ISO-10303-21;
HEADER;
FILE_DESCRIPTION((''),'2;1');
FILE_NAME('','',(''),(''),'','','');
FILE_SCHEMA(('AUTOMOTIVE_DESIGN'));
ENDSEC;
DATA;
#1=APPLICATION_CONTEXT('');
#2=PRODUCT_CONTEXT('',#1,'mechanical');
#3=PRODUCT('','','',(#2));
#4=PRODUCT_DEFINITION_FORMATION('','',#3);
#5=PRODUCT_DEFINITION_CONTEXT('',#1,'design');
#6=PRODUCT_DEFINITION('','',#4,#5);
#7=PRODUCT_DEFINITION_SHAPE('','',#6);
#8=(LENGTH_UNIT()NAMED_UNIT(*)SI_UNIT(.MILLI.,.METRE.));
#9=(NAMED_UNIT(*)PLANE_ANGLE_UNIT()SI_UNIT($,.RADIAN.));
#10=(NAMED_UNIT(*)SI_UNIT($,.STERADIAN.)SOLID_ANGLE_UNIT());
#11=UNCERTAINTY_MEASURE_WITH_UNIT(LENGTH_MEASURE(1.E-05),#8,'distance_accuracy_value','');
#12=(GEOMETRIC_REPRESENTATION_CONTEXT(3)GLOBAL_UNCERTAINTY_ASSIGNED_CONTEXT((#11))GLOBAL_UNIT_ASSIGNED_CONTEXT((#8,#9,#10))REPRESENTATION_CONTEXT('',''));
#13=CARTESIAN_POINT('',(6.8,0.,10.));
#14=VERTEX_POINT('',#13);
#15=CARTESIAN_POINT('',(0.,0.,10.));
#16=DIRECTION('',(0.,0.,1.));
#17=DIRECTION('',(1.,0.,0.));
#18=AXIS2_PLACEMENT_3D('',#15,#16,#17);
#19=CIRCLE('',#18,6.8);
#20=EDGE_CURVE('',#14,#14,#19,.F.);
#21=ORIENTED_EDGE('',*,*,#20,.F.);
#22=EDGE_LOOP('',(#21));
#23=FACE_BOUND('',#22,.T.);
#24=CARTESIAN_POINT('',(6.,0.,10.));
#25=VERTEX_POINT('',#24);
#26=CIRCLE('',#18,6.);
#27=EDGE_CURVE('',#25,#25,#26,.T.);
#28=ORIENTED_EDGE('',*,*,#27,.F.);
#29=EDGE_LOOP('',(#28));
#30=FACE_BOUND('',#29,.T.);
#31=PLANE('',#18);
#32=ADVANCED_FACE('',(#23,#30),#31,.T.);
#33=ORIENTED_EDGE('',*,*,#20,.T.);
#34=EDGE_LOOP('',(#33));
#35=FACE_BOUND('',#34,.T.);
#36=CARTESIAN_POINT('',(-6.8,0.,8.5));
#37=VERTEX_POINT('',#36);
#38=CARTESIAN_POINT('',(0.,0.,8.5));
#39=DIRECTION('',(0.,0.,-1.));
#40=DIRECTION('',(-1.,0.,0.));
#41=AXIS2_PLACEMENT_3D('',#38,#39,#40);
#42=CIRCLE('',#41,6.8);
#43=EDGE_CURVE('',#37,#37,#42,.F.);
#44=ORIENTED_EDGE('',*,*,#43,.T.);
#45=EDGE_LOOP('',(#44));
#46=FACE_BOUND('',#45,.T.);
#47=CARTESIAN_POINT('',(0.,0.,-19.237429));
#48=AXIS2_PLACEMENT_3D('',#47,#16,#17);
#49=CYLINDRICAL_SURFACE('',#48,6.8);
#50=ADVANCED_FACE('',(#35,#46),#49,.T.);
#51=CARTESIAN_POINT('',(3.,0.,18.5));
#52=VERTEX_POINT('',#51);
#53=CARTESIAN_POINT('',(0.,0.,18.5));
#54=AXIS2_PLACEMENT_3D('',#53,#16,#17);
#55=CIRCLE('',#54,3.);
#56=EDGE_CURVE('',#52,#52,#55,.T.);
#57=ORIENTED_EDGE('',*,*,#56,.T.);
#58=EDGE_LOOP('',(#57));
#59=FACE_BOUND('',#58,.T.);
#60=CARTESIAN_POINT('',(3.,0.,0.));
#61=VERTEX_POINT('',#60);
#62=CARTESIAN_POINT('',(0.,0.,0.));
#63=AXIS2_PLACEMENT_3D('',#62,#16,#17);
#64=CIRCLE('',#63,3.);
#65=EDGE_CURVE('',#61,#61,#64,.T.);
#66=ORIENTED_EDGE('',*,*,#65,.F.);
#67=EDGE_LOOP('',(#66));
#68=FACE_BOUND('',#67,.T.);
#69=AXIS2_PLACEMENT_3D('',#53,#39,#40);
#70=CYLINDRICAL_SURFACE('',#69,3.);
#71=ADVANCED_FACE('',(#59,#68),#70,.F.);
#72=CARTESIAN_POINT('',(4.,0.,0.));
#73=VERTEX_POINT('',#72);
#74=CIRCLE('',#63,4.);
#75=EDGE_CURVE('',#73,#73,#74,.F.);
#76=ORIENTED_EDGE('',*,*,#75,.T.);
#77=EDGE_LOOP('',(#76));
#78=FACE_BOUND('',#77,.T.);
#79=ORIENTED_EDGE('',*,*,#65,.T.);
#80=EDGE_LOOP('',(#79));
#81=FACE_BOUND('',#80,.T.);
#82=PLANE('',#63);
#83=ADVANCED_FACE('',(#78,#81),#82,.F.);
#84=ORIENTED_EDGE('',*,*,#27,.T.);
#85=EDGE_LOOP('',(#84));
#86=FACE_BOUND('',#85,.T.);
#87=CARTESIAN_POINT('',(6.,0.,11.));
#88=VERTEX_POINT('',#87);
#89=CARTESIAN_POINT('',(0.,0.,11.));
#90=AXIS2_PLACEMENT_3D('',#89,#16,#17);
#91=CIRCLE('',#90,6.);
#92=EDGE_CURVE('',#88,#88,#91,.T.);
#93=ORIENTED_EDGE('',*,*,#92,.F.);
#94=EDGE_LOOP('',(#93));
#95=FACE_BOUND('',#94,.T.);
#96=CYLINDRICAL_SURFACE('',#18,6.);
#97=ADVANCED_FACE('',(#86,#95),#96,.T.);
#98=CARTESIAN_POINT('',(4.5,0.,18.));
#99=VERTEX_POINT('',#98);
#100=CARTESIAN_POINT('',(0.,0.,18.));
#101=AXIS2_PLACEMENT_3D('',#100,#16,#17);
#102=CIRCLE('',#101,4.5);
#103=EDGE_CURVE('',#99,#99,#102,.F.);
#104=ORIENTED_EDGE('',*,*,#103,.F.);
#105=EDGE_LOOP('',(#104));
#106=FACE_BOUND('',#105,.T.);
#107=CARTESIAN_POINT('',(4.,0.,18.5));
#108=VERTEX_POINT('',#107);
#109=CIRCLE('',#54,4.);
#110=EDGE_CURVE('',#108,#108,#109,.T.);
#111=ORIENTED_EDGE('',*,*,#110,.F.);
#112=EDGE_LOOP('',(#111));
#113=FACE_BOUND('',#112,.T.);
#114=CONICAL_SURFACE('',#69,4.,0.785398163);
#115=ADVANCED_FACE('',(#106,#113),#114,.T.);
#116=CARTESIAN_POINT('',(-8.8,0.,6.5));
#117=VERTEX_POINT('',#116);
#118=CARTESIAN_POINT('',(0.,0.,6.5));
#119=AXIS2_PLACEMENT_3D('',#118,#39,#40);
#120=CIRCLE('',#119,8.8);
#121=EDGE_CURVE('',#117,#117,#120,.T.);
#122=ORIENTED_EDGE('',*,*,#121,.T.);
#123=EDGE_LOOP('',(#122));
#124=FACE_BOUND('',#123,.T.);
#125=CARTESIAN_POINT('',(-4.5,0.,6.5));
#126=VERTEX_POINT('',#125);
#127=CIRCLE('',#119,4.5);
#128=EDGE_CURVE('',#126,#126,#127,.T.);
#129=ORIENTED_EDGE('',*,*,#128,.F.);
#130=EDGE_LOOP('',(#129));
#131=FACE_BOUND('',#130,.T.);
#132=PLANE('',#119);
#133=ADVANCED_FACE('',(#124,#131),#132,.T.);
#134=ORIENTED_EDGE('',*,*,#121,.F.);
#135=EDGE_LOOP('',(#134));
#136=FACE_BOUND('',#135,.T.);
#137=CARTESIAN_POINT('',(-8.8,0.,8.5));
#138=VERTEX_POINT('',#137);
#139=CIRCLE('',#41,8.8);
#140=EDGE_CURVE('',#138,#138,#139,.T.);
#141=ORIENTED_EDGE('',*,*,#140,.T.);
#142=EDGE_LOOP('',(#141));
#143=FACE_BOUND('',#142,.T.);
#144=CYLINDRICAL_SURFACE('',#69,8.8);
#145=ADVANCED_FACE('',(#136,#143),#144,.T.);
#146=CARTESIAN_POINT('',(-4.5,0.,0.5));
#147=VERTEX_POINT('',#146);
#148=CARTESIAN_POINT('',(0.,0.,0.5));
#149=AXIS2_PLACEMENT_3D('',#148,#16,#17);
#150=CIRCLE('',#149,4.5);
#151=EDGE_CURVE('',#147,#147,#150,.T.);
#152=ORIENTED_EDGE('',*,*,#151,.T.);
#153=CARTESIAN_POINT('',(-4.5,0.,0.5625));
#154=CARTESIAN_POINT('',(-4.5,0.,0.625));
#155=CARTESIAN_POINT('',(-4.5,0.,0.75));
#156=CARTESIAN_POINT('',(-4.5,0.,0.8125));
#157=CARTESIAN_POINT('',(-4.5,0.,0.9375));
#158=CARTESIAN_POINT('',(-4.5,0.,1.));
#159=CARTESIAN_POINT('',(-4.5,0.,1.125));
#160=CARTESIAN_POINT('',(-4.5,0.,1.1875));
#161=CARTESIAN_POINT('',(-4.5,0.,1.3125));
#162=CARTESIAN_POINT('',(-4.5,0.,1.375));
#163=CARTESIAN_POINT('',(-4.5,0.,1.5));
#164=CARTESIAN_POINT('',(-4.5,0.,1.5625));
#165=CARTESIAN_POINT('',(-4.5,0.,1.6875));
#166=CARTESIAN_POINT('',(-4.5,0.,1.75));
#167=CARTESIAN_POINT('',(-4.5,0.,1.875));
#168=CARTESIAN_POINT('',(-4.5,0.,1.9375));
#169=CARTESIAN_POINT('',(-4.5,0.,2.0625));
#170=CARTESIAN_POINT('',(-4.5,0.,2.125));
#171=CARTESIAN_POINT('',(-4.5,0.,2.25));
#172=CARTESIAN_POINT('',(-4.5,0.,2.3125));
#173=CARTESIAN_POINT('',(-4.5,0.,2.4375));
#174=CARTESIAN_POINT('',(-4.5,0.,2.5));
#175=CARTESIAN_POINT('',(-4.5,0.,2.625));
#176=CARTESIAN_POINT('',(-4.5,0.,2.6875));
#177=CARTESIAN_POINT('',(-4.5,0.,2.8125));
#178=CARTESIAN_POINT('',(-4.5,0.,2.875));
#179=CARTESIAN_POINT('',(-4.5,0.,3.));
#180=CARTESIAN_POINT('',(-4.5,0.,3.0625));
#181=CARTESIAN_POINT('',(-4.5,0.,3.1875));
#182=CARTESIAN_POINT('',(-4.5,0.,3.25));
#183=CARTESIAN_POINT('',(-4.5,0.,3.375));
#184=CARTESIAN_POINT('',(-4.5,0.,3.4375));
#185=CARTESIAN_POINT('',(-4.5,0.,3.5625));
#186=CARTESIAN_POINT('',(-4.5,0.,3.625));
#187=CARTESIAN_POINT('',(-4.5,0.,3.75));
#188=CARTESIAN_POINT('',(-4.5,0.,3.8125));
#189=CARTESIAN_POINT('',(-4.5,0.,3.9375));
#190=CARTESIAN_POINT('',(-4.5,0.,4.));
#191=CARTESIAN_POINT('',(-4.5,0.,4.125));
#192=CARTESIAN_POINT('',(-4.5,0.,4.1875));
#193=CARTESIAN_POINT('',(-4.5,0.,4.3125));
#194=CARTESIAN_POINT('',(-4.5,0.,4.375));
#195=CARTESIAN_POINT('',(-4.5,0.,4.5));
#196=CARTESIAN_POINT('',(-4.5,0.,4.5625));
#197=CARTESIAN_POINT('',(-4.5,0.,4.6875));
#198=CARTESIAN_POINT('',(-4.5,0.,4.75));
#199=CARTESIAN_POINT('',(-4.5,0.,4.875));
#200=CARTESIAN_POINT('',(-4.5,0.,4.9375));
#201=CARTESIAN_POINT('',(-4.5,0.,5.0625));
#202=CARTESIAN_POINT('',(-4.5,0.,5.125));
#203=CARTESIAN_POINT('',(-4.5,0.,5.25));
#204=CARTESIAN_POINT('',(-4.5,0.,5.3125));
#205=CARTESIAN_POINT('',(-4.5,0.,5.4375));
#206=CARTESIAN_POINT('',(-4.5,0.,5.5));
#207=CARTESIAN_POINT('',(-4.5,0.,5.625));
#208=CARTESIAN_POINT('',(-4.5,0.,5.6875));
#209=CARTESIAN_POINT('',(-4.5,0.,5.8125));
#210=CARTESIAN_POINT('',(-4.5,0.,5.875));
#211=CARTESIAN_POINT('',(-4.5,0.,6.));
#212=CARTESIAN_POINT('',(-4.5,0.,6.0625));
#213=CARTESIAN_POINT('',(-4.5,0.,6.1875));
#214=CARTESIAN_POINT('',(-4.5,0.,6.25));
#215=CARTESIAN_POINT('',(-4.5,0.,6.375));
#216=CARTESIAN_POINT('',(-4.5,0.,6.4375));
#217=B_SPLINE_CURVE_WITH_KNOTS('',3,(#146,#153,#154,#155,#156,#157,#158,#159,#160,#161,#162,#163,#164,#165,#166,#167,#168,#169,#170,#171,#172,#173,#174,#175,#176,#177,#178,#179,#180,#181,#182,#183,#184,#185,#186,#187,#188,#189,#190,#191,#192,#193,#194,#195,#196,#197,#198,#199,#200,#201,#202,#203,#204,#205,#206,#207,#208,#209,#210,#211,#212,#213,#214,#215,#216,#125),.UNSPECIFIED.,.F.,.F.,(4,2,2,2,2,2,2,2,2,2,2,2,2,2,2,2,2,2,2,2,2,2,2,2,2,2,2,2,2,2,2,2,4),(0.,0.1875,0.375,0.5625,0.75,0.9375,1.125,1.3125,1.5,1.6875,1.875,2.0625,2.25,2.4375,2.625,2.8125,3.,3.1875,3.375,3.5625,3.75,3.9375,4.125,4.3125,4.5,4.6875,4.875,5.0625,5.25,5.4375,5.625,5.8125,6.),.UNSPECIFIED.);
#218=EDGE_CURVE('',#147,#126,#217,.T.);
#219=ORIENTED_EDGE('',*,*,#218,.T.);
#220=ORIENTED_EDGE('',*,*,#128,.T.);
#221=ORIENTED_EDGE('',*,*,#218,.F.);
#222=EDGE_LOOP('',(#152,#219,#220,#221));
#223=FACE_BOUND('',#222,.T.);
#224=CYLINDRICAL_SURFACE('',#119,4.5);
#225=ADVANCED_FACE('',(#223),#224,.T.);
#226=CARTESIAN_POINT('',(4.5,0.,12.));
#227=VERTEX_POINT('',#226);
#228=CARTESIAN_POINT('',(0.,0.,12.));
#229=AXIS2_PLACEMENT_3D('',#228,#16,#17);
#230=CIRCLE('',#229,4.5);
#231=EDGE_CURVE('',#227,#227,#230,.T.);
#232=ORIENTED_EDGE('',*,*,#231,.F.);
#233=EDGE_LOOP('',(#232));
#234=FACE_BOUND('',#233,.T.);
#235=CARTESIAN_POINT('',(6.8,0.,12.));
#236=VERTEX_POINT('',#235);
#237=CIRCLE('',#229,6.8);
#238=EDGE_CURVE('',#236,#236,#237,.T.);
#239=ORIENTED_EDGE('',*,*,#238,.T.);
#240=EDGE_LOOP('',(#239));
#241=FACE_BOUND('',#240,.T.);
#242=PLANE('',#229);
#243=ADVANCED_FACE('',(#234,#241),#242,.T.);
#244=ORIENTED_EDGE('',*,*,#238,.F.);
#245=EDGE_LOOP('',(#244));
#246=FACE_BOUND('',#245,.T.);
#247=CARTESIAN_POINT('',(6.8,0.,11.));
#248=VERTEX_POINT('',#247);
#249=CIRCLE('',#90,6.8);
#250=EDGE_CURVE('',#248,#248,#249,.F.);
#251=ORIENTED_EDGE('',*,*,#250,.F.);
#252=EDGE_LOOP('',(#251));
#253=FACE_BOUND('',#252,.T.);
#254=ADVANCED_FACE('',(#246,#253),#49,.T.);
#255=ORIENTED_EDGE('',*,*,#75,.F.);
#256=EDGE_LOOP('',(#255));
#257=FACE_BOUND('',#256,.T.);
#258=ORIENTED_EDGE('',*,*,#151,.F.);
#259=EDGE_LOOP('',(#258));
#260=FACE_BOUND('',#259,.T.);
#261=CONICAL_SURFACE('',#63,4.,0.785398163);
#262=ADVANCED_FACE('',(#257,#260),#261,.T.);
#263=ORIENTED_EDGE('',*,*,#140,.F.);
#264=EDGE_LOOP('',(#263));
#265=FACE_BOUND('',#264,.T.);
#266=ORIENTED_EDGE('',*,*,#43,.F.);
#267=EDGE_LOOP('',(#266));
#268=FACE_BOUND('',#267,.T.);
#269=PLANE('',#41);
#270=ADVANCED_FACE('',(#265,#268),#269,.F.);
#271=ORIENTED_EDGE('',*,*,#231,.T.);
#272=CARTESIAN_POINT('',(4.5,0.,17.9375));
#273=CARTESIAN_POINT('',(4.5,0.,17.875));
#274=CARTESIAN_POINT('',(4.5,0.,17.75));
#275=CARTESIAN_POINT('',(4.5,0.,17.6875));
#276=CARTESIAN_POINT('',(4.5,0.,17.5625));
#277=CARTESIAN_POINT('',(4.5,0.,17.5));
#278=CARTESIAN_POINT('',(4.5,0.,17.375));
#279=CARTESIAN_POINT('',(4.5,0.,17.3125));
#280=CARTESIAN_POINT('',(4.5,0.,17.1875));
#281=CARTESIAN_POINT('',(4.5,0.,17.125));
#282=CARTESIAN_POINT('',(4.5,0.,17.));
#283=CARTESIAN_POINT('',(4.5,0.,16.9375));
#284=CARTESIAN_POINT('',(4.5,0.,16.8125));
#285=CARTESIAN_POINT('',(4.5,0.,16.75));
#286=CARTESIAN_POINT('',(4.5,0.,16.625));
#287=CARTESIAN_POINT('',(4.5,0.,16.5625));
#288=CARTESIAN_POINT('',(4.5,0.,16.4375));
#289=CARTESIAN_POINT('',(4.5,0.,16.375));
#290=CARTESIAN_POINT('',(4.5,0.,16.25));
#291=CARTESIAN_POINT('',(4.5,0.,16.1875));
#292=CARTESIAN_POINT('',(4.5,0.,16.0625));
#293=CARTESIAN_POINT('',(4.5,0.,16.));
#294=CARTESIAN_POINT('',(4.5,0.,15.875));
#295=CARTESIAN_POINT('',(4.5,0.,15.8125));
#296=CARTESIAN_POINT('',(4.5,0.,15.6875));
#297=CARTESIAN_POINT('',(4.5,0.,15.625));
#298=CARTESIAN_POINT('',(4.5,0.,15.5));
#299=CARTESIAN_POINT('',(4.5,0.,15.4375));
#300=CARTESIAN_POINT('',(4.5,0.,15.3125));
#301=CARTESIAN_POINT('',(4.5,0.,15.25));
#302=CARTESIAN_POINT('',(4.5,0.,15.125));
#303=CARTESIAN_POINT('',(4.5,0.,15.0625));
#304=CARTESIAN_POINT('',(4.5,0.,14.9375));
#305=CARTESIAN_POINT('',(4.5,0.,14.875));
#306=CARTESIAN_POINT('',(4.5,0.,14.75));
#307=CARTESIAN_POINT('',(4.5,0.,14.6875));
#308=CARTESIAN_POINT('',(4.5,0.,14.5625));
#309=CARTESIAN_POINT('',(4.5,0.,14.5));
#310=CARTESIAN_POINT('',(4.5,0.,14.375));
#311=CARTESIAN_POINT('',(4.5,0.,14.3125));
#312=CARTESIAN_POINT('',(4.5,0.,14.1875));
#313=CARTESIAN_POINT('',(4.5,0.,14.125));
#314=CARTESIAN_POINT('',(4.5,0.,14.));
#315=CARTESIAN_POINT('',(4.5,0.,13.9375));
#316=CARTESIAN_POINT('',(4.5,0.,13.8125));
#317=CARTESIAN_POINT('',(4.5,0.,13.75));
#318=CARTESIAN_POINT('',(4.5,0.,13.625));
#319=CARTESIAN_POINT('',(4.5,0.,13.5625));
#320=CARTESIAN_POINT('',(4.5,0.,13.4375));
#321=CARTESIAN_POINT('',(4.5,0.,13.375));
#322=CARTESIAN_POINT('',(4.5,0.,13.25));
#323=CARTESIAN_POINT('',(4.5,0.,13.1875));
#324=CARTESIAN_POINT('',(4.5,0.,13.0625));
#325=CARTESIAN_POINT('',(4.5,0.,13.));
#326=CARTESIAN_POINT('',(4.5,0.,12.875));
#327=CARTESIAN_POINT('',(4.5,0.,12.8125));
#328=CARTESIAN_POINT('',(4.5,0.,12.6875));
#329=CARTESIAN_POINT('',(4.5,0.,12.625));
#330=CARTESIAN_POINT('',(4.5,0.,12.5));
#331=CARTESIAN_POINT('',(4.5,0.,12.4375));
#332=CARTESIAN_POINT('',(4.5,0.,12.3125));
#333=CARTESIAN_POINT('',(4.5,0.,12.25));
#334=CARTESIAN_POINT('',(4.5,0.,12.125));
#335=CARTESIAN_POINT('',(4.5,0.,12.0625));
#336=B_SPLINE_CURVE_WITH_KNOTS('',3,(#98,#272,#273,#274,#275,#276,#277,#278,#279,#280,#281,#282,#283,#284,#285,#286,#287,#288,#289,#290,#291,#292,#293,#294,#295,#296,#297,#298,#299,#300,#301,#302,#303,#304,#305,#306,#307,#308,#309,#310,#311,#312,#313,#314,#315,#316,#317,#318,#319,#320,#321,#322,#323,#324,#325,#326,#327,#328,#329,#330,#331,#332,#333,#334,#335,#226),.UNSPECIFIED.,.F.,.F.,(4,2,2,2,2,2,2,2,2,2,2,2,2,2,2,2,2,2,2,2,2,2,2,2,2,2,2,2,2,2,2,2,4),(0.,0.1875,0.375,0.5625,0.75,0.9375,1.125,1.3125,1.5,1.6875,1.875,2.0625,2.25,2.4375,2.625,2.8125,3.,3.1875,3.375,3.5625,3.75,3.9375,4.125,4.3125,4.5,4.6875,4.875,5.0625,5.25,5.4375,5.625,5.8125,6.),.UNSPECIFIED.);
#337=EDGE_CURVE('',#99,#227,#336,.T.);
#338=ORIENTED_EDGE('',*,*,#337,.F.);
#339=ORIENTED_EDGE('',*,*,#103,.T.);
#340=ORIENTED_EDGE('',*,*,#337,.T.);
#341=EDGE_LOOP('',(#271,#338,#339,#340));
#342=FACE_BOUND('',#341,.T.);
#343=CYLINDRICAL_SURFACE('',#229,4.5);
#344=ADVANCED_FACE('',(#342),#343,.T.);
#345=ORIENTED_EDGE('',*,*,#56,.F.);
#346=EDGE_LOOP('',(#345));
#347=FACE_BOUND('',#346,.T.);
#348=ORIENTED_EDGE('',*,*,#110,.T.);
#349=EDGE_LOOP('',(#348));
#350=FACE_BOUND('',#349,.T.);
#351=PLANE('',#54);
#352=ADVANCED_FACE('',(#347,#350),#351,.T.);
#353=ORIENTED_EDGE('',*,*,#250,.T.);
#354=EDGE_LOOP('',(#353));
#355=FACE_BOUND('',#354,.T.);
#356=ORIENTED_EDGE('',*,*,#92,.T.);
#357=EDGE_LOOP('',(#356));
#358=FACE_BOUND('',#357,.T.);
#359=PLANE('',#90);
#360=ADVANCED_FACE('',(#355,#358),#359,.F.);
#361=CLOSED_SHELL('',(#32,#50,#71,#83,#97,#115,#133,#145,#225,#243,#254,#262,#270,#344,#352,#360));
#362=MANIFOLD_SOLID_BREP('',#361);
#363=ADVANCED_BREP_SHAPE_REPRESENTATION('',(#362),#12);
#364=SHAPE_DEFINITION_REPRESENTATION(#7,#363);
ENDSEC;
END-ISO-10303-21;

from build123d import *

# Parameters (mm, degrees)
SKETCH1_R           = 8.8
SKETCH1_R_2         = 3
BOSS_EXTRUDE1_DEPTH = 18.5
SKETCH2_OUTSIDE_W   = 25.802
SKETCH2_OUTSIDE_H   = 25.802
SKETCH2_OUTSIDE_R   = 4.5
CUT_EXTRUDE1_DEPTH  = 6.5
SKETCH3_OUTSIDE_W   = 25.802
SKETCH3_OUTSIDE_H   = 25.802
SKETCH3_OUTSIDE_R   = 4.5
CUT_EXTRUDE2_DEPTH  = 6.5
SKETCH4_OUTSIDE_W   = 25.802
SKETCH4_OUTSIDE_H   = 25.802
SKETCH4_OUTSIDE_R   = 6.8
CUT_EXTRUDE3_DEPTH  = 3.5
CUT_EXTRUDE4_START  = -1
SKETCH5_OUTSIDE_W   = 25.802
SKETCH5_OUTSIDE_H   = 25.802
SKETCH5_OUTSIDE_R   = 6
CUT_EXTRUDE4_DEPTH  = 1
CHAMFER1_SIZE       = 0.5


with BuildPart() as part:
    # Sketch1 → Boss-Extrude1 (new body)
    with BuildSketch(Plane.XY):
        Circle(SKETCH1_R)
        Circle(SKETCH1_R_2, mode=Mode.SUBTRACT)
    extrude(amount=BOSS_EXTRUDE1_DEPTH)

    # Sketch2 outside → Cut-Extrude1 (cut)
    with BuildSketch(Plane.XY.offset(18.5)):
        Rectangle(SKETCH2_OUTSIDE_W, SKETCH2_OUTSIDE_H)
        Circle(SKETCH2_OUTSIDE_R, mode=Mode.SUBTRACT)
    extrude(amount=-CUT_EXTRUDE1_DEPTH, mode=Mode.SUBTRACT)

    # Sketch3 outside → Cut-Extrude2 (cut)
    with BuildSketch(Plane(origin=(0, 0, 0), x_dir=(-1, 0, 0), z_dir=(0, 0, -1))):
        Rectangle(SKETCH3_OUTSIDE_W, SKETCH3_OUTSIDE_H)
        with Locations(Location((0, 0, 0), (0, 0, 180))):
            Circle(SKETCH3_OUTSIDE_R, mode=Mode.SUBTRACT)
    extrude(amount=-CUT_EXTRUDE2_DEPTH, mode=Mode.SUBTRACT)

    # Sketch4 outside → Cut-Extrude3 (cut)
    with BuildSketch(Plane.XY.offset(12)):
        Rectangle(SKETCH4_OUTSIDE_W, SKETCH4_OUTSIDE_H)
        Circle(SKETCH4_OUTSIDE_R, mode=Mode.SUBTRACT)
    extrude(amount=-CUT_EXTRUDE3_DEPTH, mode=Mode.SUBTRACT)

    # Sketch5 outside → Cut-Extrude4 (cut)
    with BuildSketch(Plane.XY.offset(12).offset(CUT_EXTRUDE4_START)):
        Rectangle(SKETCH5_OUTSIDE_W, SKETCH5_OUTSIDE_H)
        Circle(SKETCH5_OUTSIDE_R, mode=Mode.SUBTRACT)
    extrude(amount=-CUT_EXTRUDE4_DEPTH, mode=Mode.SUBTRACT)

    # Chamfer1
    chamfer1_edges = [part.edges().sort_by_distance(p)[0] for p in [
        (-4.5, 0, 18.5),
        (-4.5, 0, 0),
    ]]
    chamfer(chamfer1_edges, length=CHAMFER1_SIZE)


solid = part.part
